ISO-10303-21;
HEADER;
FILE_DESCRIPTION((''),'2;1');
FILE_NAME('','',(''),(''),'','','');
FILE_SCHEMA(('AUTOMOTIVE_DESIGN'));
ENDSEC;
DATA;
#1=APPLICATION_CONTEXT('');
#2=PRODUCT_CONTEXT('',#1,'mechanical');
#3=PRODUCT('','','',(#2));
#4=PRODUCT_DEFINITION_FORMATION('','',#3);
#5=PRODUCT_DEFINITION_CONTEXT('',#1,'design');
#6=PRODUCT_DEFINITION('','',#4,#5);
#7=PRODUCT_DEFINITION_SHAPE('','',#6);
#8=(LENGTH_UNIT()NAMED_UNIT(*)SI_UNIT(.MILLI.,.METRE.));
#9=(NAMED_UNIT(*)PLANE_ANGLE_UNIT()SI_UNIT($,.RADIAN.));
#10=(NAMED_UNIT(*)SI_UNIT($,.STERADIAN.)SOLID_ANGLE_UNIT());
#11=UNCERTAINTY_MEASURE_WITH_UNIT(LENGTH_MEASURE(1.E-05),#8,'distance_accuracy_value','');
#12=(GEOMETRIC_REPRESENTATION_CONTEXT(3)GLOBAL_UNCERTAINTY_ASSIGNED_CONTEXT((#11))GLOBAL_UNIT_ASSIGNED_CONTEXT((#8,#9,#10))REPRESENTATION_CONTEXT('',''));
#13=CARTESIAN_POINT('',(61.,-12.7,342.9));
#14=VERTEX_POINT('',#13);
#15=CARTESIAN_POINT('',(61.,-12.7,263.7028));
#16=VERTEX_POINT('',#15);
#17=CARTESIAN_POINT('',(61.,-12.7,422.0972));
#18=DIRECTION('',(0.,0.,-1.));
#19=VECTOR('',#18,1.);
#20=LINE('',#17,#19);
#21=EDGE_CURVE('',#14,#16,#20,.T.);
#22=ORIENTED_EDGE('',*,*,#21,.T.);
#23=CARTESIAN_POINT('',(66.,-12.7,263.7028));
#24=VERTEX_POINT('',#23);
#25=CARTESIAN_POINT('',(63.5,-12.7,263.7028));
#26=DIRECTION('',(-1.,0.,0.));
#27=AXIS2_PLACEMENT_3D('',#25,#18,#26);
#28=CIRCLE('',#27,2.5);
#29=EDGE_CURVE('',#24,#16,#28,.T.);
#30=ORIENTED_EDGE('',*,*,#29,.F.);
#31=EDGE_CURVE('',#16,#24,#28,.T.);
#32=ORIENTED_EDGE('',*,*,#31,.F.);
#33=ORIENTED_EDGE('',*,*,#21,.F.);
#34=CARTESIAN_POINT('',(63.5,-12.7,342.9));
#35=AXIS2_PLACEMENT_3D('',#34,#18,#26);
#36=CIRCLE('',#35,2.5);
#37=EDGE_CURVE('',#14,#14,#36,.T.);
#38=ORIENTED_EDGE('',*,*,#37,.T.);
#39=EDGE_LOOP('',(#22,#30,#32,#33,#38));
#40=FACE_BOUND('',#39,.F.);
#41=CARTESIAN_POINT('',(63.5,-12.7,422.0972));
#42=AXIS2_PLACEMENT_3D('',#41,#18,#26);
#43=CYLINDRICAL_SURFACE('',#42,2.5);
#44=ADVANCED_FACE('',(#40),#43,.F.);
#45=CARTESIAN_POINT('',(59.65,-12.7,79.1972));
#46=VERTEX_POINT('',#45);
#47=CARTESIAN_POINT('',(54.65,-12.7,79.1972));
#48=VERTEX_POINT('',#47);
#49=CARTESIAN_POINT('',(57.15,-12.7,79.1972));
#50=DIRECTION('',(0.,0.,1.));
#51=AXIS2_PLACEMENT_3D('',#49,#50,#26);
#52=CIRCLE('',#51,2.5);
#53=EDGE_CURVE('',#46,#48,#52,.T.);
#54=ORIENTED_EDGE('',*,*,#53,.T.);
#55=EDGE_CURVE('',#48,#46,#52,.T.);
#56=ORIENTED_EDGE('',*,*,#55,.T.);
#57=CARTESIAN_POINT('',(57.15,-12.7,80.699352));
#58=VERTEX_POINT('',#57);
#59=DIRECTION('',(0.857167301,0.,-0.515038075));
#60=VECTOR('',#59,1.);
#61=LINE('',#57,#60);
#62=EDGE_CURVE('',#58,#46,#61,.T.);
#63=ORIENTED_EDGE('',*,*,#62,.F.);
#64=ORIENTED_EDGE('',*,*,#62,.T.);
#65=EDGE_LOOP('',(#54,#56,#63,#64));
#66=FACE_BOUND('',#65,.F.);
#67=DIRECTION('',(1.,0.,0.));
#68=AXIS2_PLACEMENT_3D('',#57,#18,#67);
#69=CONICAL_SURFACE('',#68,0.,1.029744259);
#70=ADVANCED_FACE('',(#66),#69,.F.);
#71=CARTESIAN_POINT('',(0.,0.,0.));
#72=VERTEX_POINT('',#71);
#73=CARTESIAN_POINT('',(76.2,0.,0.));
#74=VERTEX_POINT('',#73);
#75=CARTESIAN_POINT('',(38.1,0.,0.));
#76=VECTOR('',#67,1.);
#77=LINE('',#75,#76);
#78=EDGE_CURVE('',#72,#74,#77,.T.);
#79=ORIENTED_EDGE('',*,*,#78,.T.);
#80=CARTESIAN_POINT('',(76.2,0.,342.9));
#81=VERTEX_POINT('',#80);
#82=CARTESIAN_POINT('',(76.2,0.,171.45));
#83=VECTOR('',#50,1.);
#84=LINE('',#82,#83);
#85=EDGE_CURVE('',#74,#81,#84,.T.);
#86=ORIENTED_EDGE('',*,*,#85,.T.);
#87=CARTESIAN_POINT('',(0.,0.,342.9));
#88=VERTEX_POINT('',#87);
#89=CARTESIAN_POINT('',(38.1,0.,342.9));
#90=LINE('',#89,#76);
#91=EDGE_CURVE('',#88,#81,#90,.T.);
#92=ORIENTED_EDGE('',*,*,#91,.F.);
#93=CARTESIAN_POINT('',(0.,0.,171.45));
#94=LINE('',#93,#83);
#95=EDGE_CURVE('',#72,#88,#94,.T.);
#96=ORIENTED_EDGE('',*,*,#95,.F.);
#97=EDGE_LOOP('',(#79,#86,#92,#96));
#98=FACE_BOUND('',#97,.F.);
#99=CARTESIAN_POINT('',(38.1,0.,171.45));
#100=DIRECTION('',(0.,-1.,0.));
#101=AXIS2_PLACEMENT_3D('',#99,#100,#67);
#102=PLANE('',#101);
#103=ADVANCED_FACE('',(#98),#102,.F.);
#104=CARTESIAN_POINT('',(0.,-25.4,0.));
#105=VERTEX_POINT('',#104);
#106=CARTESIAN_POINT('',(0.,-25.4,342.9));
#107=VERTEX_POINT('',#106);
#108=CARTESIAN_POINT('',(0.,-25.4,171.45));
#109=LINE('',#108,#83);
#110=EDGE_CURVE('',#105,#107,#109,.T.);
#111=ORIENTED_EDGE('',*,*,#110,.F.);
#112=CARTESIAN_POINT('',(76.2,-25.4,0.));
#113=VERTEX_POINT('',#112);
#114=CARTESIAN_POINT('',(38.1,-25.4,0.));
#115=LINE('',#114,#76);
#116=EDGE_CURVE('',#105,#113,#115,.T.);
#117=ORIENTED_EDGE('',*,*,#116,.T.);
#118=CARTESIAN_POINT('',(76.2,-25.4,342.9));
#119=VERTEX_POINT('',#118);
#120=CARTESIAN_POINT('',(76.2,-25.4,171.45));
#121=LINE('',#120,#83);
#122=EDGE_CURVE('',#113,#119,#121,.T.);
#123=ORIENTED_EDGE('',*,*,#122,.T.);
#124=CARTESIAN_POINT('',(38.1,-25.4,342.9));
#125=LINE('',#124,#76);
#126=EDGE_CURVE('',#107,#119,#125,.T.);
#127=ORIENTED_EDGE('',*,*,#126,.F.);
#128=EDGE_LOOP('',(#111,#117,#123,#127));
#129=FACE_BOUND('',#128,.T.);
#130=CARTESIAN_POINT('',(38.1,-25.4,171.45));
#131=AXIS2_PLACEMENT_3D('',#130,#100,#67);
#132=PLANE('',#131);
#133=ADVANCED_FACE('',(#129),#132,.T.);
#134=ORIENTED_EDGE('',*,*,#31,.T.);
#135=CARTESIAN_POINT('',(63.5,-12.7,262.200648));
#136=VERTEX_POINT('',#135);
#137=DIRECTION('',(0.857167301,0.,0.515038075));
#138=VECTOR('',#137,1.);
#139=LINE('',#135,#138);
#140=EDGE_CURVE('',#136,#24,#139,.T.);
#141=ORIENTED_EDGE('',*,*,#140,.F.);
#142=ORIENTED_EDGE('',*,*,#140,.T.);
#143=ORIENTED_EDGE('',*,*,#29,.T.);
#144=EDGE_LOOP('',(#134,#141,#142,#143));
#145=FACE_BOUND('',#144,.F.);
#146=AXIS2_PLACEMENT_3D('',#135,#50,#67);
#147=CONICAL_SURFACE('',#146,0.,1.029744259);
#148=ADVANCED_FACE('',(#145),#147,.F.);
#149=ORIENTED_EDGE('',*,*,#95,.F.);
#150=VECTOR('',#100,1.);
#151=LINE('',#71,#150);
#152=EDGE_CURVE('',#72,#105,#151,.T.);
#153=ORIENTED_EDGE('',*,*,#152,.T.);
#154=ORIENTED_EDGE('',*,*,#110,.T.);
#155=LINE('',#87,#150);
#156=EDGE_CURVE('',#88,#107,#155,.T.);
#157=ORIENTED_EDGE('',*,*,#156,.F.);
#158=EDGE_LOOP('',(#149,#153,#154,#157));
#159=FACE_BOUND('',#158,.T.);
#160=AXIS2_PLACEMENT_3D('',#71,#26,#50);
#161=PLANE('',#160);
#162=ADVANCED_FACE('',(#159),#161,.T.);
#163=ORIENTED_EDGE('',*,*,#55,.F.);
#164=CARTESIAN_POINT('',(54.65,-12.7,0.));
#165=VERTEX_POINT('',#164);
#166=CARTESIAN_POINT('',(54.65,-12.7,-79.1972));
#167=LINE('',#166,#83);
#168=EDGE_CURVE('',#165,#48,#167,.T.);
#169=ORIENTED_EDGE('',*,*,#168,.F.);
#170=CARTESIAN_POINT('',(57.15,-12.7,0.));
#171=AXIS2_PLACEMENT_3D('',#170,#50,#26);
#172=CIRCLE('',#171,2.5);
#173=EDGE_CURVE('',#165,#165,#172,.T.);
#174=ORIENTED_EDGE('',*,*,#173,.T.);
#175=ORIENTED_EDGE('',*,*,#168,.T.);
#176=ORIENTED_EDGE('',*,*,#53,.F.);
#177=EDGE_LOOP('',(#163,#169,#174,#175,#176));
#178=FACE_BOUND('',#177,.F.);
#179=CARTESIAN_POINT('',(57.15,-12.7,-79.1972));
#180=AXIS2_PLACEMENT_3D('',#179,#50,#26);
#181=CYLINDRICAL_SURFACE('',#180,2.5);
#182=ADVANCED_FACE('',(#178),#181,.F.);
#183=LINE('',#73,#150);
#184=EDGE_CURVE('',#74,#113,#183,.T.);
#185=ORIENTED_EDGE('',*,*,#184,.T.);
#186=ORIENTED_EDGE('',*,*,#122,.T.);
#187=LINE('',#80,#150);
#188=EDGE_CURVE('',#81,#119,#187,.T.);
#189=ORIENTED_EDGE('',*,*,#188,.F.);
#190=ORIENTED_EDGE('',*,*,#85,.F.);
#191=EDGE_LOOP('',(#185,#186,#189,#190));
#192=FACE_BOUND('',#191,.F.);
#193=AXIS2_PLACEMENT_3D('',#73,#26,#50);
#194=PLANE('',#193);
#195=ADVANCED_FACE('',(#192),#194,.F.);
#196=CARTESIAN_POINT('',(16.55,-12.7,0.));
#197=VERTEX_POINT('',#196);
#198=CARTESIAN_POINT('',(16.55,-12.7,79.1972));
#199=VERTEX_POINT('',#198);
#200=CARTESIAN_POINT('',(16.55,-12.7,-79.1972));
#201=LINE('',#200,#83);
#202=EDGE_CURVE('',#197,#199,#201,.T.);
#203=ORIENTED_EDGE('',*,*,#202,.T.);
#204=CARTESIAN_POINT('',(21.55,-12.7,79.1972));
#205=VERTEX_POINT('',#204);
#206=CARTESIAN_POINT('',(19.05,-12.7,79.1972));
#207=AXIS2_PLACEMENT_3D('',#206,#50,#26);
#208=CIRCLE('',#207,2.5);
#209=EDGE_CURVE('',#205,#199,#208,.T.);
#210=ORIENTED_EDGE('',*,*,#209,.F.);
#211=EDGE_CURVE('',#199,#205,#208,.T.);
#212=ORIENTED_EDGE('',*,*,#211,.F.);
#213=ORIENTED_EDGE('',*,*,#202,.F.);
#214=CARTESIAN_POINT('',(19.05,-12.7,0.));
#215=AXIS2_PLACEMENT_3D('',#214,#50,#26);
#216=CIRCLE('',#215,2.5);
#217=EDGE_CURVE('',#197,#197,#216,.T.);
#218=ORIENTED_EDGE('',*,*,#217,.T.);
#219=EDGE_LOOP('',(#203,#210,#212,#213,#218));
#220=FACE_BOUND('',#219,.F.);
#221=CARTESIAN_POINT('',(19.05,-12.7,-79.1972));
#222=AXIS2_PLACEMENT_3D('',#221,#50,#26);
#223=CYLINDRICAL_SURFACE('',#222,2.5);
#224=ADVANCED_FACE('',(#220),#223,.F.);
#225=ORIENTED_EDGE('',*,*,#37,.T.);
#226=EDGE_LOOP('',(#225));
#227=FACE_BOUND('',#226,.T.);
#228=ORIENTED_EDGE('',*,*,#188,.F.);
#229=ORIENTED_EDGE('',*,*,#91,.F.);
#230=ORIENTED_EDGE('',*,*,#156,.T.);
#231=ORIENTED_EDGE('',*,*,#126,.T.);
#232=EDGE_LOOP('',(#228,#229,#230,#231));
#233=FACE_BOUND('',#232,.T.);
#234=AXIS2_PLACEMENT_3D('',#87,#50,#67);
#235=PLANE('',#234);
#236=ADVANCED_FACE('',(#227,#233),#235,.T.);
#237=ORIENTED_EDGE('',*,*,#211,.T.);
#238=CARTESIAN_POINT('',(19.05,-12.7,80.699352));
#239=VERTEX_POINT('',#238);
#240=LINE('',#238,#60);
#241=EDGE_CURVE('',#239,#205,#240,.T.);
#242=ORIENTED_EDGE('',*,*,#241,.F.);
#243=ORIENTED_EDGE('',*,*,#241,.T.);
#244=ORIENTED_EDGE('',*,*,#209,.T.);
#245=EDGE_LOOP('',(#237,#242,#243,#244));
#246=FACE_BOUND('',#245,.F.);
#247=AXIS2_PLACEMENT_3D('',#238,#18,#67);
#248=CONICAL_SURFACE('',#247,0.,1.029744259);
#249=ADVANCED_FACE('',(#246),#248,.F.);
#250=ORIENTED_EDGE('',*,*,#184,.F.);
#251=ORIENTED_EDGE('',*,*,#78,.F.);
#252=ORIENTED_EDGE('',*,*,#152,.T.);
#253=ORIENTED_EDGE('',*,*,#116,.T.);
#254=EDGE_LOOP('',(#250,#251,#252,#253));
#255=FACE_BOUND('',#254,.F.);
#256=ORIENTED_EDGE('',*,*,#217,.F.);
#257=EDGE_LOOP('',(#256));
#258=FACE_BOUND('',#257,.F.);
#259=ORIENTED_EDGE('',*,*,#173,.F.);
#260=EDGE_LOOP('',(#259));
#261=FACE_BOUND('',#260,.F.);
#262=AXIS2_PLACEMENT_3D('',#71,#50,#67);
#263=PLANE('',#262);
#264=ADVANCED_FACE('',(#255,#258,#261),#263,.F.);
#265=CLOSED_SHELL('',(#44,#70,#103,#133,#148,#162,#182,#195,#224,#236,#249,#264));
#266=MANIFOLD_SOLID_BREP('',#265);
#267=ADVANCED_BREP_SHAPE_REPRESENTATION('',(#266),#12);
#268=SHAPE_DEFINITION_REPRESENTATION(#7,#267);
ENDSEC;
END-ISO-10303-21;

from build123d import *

# Parameters (mm, degrees)
F0_W     = 76.2
F0_H     = 342.9
F1_DEPTH = 25.4
F3_D     = 5
F3_DEPTH = 79.1972
F3_TIP   = 1.5021515476
F5_D     = 5
F5_DEPTH = 79.1972
F5_TIP   = 1.5021515476


with BuildPart() as f1:
    # F0 (on Front) → F1 (new body)
    with BuildSketch(Plane.XZ):
        with Locations((38.1, 171.45)):
            Rectangle(F0_W, F0_H)
    extrude(amount=F1_DEPTH)

    # F3
    with Locations(Plane.XY.offset(342.9)):
        with Locations((63.5, -12.7)):
            Hole(F3_D / 2, depth=F3_DEPTH)
            with Locations((0, 0, -(F3_DEPTH + F3_TIP / 2))):  # 118° drill point
                Cone(0, F3_D / 2, F3_TIP, mode=Mode.SUBTRACT)

    # F5
    with Locations(Plane(origin=(0, 0, 0), x_dir=(1, 0, 0), z_dir=(0, 0, -1))):
        with Locations((57.15, 12.7), (19.05, 12.7)):
            Hole(F5_D / 2, depth=F5_DEPTH)
            with Locations((0, 0, -(F5_DEPTH + F5_TIP / 2))):  # 118° drill point
                Cone(0, F5_D / 2, F5_TIP, mode=Mode.SUBTRACT)


solid = f1.part
